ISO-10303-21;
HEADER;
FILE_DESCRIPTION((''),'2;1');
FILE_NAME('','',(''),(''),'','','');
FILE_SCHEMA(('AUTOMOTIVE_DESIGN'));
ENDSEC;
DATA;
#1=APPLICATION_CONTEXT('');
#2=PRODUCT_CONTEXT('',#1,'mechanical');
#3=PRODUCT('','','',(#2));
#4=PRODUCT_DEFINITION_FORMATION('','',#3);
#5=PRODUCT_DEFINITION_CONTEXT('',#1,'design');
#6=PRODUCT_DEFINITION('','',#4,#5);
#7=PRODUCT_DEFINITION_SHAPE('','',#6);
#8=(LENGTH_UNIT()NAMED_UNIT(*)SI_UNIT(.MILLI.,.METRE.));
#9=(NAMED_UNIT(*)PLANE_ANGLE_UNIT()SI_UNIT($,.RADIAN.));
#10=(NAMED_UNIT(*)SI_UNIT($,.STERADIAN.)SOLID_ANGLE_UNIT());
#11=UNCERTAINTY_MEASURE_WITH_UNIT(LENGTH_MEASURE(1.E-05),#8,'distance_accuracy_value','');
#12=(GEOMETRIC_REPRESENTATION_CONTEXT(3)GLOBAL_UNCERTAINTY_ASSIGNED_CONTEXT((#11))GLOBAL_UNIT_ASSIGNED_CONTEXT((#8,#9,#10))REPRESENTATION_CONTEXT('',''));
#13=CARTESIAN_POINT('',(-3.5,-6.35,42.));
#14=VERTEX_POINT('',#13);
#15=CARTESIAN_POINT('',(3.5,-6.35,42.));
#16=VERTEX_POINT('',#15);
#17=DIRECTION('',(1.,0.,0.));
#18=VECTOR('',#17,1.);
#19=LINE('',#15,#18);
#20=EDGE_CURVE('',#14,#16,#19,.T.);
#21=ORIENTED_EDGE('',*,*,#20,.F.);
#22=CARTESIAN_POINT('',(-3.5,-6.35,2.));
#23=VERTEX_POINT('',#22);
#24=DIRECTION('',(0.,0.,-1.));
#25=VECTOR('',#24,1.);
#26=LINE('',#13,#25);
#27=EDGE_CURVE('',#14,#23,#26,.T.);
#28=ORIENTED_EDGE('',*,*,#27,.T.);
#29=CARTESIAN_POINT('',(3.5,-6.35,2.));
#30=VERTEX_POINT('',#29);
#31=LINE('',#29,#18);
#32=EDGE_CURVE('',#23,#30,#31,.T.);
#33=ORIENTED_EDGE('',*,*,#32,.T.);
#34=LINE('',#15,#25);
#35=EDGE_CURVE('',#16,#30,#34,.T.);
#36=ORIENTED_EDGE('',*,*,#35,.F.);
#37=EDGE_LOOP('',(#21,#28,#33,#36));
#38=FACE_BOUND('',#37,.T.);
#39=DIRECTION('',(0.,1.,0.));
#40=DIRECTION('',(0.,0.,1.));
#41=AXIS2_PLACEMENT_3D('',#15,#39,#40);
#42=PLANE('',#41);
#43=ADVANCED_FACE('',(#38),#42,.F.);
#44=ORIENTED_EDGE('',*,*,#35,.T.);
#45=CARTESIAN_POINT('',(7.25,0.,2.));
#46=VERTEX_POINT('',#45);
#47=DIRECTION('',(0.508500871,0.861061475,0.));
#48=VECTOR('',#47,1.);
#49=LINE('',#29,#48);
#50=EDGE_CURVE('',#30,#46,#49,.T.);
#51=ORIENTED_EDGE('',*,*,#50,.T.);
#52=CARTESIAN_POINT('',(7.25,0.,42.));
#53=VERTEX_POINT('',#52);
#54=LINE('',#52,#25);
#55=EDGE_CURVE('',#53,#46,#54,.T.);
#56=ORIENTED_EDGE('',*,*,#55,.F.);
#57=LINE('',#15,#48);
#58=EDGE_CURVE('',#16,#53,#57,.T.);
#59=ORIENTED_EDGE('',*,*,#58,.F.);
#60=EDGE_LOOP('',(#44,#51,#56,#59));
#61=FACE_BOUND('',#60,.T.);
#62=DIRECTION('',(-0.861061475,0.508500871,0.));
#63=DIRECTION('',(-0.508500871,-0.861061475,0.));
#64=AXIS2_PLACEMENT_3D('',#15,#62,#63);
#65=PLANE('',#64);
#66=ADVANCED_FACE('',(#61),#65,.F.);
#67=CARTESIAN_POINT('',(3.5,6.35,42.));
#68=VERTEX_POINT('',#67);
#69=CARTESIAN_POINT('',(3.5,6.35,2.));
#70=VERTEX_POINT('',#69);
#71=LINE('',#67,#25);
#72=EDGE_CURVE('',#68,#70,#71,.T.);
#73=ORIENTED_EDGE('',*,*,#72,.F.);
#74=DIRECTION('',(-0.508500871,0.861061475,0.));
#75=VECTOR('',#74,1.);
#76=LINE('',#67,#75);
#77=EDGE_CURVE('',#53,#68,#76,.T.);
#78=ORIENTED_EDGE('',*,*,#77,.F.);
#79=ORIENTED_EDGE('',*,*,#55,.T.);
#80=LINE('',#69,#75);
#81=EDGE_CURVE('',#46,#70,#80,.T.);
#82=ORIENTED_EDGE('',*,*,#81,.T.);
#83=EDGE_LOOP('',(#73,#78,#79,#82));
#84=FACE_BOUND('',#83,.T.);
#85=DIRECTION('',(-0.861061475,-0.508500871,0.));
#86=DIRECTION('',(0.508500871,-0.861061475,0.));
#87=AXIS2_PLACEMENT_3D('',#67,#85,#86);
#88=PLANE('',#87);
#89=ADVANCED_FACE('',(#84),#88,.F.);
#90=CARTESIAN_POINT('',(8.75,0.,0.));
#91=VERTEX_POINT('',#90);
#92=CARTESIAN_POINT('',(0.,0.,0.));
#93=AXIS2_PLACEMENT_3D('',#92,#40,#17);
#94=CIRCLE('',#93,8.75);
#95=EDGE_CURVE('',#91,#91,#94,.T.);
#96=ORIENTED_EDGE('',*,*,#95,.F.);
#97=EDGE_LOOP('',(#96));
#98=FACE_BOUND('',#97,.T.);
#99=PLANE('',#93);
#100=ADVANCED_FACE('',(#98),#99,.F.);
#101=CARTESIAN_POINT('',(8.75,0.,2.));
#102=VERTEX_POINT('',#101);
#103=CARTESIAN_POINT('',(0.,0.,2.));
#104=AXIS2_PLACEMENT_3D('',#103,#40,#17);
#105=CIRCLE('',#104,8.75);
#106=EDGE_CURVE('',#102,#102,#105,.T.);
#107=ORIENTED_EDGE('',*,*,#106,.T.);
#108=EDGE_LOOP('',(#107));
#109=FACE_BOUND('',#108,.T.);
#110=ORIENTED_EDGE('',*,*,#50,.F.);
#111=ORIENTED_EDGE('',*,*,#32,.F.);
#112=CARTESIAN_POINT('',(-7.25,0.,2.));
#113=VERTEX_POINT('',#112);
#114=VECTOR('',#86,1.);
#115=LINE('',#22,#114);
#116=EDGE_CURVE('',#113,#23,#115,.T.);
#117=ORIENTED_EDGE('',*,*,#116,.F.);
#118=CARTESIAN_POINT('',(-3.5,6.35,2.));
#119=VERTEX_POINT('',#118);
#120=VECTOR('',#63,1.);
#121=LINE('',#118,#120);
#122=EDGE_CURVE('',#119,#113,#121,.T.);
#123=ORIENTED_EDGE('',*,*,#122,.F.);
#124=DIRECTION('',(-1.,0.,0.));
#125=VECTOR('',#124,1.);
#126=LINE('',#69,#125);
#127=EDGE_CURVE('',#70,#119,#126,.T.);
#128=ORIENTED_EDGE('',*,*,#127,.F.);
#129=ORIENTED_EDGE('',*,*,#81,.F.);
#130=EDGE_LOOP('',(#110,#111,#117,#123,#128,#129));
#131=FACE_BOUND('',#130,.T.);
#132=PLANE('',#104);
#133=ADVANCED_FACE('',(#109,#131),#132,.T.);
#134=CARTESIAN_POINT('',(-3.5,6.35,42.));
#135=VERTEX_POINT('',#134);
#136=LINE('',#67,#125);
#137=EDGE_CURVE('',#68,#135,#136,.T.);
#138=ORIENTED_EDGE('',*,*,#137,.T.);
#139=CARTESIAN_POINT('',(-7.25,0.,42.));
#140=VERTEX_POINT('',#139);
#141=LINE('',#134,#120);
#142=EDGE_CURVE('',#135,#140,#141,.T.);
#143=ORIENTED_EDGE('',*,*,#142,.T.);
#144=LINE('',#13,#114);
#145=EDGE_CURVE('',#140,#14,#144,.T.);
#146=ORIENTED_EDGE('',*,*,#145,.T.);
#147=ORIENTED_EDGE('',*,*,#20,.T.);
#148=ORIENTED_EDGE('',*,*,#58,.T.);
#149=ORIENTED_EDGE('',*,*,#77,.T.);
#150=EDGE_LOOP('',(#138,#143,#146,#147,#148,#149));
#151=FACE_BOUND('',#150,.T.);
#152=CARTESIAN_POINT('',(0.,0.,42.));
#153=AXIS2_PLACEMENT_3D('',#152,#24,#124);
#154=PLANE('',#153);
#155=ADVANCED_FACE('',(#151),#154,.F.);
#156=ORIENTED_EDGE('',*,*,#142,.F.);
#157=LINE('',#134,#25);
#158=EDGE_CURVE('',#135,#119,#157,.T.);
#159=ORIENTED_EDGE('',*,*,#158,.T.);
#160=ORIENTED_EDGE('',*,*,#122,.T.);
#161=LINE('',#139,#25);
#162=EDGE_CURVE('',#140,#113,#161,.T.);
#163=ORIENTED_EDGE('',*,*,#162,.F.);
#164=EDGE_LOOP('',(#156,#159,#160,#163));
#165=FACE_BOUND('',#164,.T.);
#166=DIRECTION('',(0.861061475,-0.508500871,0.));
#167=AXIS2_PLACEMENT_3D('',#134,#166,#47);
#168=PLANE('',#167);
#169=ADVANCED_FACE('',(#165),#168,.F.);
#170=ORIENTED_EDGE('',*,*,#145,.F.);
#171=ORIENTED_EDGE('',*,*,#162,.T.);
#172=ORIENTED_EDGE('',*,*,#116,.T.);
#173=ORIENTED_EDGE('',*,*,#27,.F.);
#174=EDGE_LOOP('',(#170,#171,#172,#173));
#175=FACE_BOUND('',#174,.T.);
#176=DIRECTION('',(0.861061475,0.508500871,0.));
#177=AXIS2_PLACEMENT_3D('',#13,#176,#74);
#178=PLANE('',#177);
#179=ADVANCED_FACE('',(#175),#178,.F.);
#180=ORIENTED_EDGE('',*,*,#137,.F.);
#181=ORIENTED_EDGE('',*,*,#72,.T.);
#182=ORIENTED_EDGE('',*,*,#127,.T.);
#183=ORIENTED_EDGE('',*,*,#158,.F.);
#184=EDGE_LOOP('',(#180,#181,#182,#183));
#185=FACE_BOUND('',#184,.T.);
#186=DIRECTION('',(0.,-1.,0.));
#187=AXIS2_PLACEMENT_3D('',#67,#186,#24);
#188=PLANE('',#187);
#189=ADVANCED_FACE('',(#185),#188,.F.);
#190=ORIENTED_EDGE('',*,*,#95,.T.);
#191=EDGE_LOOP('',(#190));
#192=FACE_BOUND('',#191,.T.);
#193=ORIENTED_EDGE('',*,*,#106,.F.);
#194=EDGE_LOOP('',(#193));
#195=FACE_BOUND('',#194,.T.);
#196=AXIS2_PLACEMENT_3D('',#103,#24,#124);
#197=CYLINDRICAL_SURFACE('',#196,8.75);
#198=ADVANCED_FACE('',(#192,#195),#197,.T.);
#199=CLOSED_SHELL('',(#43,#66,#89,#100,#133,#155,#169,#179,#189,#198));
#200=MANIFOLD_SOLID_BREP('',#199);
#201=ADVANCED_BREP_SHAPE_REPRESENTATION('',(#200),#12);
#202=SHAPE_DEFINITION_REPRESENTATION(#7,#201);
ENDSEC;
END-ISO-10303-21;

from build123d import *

# Parameters (mm, degrees)
SKETCH1_R           = 8.75
BOSS_EXTRUDE1_DEPTH = 2
BOSS_EXTRUDE2_DEPTH = 40


with BuildPart() as part:
    # Sketch1 → Boss-Extrude1 (new body)
    with BuildSketch(Plane.XY):
        Circle(SKETCH1_R)
    extrude(amount=BOSS_EXTRUDE1_DEPTH)

    # Sketch2 → Boss-Extrude2 (add)
    with BuildSketch(Plane.XY.offset(2)):
        Polygon((3.5, 6.35), (-3.5, 6.35), (-7.25, 0), (-3.5, -6.35), (3.5, -6.35), (7.25, 0), align=None)
    extrude(amount=BOSS_EXTRUDE2_DEPTH)


solid = part.part
